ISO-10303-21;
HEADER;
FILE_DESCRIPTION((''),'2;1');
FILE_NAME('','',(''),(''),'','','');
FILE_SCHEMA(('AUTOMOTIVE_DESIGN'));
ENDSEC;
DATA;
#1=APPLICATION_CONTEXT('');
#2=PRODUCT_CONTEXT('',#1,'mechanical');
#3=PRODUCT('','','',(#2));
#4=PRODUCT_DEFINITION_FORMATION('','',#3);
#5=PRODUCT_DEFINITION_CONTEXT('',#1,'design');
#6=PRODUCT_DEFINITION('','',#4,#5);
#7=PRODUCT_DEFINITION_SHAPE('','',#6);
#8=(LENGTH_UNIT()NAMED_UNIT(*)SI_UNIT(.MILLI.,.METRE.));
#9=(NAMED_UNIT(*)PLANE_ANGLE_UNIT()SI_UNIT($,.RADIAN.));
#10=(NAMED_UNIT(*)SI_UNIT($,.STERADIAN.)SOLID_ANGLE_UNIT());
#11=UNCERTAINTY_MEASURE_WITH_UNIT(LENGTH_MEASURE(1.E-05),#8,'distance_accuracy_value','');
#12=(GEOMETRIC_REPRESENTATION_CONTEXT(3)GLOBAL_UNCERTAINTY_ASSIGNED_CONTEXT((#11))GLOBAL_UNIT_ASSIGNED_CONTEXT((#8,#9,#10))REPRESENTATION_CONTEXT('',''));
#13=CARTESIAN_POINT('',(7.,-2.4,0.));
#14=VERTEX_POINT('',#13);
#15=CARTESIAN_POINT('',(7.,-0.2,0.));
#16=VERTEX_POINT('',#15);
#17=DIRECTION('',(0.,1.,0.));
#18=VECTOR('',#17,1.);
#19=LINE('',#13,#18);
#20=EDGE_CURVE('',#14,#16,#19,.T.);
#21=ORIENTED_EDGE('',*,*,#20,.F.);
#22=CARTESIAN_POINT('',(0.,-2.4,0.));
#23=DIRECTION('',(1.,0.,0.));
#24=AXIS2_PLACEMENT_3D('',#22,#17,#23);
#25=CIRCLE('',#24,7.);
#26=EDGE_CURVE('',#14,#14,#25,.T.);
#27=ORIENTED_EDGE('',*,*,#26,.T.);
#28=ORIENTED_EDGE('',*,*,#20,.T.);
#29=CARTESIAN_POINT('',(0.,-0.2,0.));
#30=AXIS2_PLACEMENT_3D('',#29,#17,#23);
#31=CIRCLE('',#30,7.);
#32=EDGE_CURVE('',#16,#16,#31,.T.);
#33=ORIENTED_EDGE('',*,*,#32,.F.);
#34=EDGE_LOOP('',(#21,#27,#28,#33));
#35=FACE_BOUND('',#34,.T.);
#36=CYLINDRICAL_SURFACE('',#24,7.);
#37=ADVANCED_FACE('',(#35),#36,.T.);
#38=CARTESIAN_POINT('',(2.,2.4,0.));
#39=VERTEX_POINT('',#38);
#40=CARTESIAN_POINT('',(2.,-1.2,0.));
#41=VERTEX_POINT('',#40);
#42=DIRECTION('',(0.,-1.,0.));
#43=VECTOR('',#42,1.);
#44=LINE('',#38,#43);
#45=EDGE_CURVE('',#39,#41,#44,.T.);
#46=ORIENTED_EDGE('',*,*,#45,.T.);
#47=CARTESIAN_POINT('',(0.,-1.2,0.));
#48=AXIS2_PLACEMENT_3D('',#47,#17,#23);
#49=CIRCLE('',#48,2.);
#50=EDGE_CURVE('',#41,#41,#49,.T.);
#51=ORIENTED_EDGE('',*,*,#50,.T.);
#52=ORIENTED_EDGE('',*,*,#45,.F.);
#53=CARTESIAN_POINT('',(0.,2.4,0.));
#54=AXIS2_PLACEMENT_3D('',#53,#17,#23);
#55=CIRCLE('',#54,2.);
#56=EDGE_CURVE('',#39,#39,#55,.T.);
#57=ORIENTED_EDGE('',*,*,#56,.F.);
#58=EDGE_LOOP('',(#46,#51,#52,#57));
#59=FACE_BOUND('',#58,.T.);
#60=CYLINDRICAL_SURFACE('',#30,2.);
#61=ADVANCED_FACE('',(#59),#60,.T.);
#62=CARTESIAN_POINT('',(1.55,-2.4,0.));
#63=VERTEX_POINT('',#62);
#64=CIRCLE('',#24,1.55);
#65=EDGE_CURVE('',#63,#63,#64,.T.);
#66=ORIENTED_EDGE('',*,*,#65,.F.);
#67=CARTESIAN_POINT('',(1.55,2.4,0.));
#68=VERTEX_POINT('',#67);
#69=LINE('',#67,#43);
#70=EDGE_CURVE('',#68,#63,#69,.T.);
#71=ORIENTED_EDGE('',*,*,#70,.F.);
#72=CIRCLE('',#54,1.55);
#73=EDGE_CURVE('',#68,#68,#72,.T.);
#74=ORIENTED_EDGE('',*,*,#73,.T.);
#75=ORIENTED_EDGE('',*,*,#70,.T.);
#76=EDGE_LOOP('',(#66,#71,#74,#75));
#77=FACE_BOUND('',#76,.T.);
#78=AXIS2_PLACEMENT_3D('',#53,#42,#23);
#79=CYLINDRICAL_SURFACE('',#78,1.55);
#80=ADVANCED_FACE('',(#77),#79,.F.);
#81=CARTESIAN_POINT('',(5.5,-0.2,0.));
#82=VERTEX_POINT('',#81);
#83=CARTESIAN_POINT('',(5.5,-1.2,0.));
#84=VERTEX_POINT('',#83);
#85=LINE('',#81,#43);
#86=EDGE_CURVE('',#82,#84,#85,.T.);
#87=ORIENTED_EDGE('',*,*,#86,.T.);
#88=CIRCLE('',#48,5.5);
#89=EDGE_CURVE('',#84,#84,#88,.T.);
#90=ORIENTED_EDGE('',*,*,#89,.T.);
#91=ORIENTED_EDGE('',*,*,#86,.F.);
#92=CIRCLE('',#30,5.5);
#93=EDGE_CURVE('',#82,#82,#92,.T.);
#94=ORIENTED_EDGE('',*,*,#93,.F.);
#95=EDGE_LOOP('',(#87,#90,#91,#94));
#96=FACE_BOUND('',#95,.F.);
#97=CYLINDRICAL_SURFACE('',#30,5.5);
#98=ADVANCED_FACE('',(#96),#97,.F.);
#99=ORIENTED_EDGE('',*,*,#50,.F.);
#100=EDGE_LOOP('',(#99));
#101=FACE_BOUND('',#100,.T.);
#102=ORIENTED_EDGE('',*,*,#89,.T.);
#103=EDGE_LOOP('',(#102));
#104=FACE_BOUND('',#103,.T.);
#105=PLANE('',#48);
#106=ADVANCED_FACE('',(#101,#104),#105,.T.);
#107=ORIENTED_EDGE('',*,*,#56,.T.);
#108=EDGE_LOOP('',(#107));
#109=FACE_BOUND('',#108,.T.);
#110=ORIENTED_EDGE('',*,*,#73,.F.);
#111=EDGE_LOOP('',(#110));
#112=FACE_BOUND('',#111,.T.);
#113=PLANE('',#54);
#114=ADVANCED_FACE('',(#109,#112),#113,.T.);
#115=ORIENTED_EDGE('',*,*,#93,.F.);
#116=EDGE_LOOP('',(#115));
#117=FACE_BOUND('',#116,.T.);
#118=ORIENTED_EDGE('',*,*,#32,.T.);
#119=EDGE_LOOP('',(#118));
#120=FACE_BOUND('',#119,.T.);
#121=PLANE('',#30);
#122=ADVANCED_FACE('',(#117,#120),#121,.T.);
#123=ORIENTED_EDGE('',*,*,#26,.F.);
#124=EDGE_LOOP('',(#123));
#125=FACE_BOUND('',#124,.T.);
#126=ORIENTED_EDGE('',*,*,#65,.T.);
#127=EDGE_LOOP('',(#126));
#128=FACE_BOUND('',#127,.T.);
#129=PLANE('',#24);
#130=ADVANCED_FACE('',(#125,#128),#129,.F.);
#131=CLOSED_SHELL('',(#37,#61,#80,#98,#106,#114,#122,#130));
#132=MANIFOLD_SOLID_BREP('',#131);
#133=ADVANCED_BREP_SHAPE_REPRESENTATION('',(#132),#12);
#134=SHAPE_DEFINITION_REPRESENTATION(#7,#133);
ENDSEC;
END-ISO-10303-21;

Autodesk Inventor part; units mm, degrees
ref_plane "YZ Plane" through (0, 0, 0) normal (1, 0, 0) x (0, 1, 0)
ref_plane "XZ Plane" through (0, 0, 0) normal (0, 1, 0) x (-1, 0, 0)
ref_plane "XY Plane" through (0, 0, 0) normal (0, 0, 1) x (1, 0, 0)
sketch "スケッチ1" plane through (0, 0, 0) normal (0, 0, 1) x (1, 0, 0)
  line L0 (1.55, 2.4) -> (1.55, -2.4)
  line L1 (1.55, -2.4) -> (7, -2.4)
  line L2 (7, -2.4) -> (7, -0.2)
  line L3 (7, -0.2) -> (2, -0.2)
  line L4 (2, -0.2) -> (2, 2.4)
  line L5 (2, 2.4) -> (1.55, 2.4)
  line L6 (0, -3.36) -> (0, 3.36) projected
  point P0 (0, 0)
  point P1 (1.55, 0)
  dimension "d0" = 1.55
  dimension "d1" = 2
  dimension "d2" = 2.6
  dimension "d3" = 7
  dimension "d4" = 2.2
revolve "回転1" add sketch "スケッチ1" angle 360 about axis through (0, -10, 0) along (0, 1, 0)
sketch "スケッチ2" plane through (0, -0.2, 0) normal (0, 1, 0) x (1, 0, 0)
  circle A0 centre (0, 0) radius 2 projected
  circle A1 centre (0, 0) radius 5.5
  dimension "d6" = 11
extrude "押し出し1" cut sketch "スケッチ2" against normal blind 1
properties part number "足裏_サブフレーム_1_2" material "アセタール樹脂、黒"
